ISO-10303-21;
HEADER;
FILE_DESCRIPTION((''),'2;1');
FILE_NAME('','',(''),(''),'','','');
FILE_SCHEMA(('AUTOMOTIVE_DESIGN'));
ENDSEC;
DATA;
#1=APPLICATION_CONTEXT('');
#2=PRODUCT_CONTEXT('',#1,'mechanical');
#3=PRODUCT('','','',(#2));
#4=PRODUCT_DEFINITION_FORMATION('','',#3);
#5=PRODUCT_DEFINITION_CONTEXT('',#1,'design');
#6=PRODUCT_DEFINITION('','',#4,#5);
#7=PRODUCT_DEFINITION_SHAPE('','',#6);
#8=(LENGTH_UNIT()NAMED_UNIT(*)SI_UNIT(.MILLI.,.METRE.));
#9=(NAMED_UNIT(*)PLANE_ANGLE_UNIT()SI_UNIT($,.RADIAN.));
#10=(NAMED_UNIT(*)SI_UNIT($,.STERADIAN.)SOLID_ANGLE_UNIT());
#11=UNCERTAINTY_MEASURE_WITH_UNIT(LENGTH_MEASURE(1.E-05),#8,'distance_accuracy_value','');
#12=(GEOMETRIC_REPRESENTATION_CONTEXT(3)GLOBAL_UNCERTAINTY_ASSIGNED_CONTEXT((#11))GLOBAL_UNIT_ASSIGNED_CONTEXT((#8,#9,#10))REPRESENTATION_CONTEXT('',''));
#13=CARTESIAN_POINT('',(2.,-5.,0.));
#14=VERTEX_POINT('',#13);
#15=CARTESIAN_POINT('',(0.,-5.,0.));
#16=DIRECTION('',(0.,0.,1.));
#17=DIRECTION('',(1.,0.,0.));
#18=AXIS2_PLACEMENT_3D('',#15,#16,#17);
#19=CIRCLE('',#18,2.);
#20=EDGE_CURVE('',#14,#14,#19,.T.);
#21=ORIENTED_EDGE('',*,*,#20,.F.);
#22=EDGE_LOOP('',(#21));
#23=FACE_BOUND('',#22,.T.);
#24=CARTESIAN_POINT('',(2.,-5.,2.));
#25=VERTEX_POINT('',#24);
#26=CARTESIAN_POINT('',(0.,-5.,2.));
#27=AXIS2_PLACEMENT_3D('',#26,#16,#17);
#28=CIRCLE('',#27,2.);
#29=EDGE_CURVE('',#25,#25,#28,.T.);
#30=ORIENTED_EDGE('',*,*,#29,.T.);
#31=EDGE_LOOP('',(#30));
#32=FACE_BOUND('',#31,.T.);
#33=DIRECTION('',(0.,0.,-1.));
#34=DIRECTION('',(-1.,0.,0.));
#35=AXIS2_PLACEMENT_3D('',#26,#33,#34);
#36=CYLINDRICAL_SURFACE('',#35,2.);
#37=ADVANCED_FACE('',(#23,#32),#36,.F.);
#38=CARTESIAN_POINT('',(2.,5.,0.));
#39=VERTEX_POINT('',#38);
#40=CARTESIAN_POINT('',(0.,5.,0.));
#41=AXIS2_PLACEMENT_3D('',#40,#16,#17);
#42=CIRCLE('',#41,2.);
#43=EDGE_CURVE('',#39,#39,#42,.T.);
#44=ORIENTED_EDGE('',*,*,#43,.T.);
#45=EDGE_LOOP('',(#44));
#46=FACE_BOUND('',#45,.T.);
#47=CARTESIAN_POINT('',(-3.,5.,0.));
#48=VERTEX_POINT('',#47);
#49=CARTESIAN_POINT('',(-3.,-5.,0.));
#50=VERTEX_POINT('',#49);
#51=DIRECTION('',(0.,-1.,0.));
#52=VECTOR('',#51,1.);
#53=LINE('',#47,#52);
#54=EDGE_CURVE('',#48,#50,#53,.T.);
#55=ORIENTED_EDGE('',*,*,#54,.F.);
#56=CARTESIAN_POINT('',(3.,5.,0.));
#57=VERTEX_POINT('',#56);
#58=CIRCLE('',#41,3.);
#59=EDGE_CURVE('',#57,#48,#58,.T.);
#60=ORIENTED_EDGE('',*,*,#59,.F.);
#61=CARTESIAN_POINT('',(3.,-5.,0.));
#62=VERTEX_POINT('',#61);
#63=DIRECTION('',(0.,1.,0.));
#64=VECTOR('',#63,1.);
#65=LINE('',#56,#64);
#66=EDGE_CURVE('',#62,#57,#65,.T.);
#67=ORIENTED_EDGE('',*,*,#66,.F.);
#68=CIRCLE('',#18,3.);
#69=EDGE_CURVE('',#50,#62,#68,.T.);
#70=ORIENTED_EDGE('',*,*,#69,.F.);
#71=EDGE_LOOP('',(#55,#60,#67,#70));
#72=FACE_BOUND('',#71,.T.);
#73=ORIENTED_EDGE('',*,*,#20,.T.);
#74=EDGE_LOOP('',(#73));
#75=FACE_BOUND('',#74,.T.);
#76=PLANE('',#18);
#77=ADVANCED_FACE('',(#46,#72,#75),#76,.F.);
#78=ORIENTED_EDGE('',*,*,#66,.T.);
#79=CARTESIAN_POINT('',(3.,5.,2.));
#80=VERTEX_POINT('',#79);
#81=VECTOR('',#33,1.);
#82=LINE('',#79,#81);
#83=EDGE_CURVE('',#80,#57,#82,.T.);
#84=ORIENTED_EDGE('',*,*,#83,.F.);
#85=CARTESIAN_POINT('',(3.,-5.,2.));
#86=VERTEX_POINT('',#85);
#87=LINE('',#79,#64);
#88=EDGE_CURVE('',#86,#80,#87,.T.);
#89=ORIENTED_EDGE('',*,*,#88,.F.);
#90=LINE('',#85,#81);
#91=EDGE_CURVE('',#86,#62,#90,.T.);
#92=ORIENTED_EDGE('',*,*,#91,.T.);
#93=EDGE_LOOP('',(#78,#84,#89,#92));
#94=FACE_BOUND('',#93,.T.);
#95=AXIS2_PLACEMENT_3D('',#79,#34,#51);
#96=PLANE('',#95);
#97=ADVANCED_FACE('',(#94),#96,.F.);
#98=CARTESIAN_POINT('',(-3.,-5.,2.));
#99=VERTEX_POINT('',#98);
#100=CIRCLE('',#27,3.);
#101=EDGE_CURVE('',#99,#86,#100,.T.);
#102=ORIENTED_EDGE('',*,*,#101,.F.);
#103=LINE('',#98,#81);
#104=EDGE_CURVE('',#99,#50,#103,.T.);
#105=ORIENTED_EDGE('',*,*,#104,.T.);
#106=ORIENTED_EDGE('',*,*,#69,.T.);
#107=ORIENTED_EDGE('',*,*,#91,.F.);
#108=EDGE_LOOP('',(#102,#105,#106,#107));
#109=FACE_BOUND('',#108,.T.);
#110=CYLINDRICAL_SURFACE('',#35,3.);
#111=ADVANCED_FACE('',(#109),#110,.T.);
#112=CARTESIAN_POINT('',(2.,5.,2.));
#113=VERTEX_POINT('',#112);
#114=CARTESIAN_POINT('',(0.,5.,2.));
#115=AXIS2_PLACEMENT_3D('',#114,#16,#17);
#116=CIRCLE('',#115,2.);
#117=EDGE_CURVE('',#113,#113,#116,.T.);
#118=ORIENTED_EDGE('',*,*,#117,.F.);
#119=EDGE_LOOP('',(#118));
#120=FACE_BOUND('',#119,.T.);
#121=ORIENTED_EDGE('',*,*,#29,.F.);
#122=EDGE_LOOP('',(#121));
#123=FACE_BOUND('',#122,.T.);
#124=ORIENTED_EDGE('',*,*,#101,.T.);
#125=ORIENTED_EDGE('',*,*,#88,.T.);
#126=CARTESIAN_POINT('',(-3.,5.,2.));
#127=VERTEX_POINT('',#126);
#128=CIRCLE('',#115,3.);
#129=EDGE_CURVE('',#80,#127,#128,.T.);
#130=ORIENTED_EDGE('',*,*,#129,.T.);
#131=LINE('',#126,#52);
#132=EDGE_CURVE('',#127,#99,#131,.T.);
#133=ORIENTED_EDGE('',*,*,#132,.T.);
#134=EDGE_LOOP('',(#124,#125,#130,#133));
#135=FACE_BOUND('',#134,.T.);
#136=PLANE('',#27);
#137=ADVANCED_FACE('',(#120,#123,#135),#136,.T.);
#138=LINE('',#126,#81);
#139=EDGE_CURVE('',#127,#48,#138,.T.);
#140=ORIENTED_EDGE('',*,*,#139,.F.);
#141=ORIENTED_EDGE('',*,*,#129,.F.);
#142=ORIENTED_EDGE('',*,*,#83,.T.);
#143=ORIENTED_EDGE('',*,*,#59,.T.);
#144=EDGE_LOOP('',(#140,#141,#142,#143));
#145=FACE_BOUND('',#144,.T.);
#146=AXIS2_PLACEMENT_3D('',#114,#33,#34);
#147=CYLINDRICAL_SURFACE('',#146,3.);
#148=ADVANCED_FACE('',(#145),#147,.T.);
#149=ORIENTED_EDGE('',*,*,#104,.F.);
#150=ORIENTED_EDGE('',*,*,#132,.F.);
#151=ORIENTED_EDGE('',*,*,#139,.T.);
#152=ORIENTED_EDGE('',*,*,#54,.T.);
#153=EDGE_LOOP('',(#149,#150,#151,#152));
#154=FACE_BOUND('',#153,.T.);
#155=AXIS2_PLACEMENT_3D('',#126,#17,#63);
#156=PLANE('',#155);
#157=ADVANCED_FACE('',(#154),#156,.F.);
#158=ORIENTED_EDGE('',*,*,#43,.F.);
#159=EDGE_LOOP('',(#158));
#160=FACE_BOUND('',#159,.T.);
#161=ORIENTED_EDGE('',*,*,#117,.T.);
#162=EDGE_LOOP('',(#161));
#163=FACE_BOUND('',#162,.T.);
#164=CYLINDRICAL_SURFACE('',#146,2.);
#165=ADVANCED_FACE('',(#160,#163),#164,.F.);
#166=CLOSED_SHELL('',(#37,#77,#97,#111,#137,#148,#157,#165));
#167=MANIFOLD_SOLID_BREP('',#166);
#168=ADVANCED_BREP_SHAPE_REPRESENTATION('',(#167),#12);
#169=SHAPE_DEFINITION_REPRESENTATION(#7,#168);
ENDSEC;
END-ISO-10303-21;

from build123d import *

# Parameters (mm, degrees)
SKETCH1_R           = 2
BOSS_EXTRUDE1_DEPTH = 2


with BuildPart() as part:
    # Sketch1 → Boss-Extrude1 (new body)
    with BuildSketch(Plane.XY):
        with BuildLine():
            Line((-3, 5), (-3, -5))
            ThreePointArc((-3, -5), (0, -8), (3, -5))
            Line((3, -5), (3, 5))
            ThreePointArc((3, 5), (0, 8), (-3, 5))
        make_face()
        with Locations((0, 5)):
            Circle(SKETCH1_R, mode=Mode.SUBTRACT)
        with Locations((0, -5)):
            Circle(SKETCH1_R, mode=Mode.SUBTRACT)
    extrude(amount=BOSS_EXTRUDE1_DEPTH)


solid = part.part
